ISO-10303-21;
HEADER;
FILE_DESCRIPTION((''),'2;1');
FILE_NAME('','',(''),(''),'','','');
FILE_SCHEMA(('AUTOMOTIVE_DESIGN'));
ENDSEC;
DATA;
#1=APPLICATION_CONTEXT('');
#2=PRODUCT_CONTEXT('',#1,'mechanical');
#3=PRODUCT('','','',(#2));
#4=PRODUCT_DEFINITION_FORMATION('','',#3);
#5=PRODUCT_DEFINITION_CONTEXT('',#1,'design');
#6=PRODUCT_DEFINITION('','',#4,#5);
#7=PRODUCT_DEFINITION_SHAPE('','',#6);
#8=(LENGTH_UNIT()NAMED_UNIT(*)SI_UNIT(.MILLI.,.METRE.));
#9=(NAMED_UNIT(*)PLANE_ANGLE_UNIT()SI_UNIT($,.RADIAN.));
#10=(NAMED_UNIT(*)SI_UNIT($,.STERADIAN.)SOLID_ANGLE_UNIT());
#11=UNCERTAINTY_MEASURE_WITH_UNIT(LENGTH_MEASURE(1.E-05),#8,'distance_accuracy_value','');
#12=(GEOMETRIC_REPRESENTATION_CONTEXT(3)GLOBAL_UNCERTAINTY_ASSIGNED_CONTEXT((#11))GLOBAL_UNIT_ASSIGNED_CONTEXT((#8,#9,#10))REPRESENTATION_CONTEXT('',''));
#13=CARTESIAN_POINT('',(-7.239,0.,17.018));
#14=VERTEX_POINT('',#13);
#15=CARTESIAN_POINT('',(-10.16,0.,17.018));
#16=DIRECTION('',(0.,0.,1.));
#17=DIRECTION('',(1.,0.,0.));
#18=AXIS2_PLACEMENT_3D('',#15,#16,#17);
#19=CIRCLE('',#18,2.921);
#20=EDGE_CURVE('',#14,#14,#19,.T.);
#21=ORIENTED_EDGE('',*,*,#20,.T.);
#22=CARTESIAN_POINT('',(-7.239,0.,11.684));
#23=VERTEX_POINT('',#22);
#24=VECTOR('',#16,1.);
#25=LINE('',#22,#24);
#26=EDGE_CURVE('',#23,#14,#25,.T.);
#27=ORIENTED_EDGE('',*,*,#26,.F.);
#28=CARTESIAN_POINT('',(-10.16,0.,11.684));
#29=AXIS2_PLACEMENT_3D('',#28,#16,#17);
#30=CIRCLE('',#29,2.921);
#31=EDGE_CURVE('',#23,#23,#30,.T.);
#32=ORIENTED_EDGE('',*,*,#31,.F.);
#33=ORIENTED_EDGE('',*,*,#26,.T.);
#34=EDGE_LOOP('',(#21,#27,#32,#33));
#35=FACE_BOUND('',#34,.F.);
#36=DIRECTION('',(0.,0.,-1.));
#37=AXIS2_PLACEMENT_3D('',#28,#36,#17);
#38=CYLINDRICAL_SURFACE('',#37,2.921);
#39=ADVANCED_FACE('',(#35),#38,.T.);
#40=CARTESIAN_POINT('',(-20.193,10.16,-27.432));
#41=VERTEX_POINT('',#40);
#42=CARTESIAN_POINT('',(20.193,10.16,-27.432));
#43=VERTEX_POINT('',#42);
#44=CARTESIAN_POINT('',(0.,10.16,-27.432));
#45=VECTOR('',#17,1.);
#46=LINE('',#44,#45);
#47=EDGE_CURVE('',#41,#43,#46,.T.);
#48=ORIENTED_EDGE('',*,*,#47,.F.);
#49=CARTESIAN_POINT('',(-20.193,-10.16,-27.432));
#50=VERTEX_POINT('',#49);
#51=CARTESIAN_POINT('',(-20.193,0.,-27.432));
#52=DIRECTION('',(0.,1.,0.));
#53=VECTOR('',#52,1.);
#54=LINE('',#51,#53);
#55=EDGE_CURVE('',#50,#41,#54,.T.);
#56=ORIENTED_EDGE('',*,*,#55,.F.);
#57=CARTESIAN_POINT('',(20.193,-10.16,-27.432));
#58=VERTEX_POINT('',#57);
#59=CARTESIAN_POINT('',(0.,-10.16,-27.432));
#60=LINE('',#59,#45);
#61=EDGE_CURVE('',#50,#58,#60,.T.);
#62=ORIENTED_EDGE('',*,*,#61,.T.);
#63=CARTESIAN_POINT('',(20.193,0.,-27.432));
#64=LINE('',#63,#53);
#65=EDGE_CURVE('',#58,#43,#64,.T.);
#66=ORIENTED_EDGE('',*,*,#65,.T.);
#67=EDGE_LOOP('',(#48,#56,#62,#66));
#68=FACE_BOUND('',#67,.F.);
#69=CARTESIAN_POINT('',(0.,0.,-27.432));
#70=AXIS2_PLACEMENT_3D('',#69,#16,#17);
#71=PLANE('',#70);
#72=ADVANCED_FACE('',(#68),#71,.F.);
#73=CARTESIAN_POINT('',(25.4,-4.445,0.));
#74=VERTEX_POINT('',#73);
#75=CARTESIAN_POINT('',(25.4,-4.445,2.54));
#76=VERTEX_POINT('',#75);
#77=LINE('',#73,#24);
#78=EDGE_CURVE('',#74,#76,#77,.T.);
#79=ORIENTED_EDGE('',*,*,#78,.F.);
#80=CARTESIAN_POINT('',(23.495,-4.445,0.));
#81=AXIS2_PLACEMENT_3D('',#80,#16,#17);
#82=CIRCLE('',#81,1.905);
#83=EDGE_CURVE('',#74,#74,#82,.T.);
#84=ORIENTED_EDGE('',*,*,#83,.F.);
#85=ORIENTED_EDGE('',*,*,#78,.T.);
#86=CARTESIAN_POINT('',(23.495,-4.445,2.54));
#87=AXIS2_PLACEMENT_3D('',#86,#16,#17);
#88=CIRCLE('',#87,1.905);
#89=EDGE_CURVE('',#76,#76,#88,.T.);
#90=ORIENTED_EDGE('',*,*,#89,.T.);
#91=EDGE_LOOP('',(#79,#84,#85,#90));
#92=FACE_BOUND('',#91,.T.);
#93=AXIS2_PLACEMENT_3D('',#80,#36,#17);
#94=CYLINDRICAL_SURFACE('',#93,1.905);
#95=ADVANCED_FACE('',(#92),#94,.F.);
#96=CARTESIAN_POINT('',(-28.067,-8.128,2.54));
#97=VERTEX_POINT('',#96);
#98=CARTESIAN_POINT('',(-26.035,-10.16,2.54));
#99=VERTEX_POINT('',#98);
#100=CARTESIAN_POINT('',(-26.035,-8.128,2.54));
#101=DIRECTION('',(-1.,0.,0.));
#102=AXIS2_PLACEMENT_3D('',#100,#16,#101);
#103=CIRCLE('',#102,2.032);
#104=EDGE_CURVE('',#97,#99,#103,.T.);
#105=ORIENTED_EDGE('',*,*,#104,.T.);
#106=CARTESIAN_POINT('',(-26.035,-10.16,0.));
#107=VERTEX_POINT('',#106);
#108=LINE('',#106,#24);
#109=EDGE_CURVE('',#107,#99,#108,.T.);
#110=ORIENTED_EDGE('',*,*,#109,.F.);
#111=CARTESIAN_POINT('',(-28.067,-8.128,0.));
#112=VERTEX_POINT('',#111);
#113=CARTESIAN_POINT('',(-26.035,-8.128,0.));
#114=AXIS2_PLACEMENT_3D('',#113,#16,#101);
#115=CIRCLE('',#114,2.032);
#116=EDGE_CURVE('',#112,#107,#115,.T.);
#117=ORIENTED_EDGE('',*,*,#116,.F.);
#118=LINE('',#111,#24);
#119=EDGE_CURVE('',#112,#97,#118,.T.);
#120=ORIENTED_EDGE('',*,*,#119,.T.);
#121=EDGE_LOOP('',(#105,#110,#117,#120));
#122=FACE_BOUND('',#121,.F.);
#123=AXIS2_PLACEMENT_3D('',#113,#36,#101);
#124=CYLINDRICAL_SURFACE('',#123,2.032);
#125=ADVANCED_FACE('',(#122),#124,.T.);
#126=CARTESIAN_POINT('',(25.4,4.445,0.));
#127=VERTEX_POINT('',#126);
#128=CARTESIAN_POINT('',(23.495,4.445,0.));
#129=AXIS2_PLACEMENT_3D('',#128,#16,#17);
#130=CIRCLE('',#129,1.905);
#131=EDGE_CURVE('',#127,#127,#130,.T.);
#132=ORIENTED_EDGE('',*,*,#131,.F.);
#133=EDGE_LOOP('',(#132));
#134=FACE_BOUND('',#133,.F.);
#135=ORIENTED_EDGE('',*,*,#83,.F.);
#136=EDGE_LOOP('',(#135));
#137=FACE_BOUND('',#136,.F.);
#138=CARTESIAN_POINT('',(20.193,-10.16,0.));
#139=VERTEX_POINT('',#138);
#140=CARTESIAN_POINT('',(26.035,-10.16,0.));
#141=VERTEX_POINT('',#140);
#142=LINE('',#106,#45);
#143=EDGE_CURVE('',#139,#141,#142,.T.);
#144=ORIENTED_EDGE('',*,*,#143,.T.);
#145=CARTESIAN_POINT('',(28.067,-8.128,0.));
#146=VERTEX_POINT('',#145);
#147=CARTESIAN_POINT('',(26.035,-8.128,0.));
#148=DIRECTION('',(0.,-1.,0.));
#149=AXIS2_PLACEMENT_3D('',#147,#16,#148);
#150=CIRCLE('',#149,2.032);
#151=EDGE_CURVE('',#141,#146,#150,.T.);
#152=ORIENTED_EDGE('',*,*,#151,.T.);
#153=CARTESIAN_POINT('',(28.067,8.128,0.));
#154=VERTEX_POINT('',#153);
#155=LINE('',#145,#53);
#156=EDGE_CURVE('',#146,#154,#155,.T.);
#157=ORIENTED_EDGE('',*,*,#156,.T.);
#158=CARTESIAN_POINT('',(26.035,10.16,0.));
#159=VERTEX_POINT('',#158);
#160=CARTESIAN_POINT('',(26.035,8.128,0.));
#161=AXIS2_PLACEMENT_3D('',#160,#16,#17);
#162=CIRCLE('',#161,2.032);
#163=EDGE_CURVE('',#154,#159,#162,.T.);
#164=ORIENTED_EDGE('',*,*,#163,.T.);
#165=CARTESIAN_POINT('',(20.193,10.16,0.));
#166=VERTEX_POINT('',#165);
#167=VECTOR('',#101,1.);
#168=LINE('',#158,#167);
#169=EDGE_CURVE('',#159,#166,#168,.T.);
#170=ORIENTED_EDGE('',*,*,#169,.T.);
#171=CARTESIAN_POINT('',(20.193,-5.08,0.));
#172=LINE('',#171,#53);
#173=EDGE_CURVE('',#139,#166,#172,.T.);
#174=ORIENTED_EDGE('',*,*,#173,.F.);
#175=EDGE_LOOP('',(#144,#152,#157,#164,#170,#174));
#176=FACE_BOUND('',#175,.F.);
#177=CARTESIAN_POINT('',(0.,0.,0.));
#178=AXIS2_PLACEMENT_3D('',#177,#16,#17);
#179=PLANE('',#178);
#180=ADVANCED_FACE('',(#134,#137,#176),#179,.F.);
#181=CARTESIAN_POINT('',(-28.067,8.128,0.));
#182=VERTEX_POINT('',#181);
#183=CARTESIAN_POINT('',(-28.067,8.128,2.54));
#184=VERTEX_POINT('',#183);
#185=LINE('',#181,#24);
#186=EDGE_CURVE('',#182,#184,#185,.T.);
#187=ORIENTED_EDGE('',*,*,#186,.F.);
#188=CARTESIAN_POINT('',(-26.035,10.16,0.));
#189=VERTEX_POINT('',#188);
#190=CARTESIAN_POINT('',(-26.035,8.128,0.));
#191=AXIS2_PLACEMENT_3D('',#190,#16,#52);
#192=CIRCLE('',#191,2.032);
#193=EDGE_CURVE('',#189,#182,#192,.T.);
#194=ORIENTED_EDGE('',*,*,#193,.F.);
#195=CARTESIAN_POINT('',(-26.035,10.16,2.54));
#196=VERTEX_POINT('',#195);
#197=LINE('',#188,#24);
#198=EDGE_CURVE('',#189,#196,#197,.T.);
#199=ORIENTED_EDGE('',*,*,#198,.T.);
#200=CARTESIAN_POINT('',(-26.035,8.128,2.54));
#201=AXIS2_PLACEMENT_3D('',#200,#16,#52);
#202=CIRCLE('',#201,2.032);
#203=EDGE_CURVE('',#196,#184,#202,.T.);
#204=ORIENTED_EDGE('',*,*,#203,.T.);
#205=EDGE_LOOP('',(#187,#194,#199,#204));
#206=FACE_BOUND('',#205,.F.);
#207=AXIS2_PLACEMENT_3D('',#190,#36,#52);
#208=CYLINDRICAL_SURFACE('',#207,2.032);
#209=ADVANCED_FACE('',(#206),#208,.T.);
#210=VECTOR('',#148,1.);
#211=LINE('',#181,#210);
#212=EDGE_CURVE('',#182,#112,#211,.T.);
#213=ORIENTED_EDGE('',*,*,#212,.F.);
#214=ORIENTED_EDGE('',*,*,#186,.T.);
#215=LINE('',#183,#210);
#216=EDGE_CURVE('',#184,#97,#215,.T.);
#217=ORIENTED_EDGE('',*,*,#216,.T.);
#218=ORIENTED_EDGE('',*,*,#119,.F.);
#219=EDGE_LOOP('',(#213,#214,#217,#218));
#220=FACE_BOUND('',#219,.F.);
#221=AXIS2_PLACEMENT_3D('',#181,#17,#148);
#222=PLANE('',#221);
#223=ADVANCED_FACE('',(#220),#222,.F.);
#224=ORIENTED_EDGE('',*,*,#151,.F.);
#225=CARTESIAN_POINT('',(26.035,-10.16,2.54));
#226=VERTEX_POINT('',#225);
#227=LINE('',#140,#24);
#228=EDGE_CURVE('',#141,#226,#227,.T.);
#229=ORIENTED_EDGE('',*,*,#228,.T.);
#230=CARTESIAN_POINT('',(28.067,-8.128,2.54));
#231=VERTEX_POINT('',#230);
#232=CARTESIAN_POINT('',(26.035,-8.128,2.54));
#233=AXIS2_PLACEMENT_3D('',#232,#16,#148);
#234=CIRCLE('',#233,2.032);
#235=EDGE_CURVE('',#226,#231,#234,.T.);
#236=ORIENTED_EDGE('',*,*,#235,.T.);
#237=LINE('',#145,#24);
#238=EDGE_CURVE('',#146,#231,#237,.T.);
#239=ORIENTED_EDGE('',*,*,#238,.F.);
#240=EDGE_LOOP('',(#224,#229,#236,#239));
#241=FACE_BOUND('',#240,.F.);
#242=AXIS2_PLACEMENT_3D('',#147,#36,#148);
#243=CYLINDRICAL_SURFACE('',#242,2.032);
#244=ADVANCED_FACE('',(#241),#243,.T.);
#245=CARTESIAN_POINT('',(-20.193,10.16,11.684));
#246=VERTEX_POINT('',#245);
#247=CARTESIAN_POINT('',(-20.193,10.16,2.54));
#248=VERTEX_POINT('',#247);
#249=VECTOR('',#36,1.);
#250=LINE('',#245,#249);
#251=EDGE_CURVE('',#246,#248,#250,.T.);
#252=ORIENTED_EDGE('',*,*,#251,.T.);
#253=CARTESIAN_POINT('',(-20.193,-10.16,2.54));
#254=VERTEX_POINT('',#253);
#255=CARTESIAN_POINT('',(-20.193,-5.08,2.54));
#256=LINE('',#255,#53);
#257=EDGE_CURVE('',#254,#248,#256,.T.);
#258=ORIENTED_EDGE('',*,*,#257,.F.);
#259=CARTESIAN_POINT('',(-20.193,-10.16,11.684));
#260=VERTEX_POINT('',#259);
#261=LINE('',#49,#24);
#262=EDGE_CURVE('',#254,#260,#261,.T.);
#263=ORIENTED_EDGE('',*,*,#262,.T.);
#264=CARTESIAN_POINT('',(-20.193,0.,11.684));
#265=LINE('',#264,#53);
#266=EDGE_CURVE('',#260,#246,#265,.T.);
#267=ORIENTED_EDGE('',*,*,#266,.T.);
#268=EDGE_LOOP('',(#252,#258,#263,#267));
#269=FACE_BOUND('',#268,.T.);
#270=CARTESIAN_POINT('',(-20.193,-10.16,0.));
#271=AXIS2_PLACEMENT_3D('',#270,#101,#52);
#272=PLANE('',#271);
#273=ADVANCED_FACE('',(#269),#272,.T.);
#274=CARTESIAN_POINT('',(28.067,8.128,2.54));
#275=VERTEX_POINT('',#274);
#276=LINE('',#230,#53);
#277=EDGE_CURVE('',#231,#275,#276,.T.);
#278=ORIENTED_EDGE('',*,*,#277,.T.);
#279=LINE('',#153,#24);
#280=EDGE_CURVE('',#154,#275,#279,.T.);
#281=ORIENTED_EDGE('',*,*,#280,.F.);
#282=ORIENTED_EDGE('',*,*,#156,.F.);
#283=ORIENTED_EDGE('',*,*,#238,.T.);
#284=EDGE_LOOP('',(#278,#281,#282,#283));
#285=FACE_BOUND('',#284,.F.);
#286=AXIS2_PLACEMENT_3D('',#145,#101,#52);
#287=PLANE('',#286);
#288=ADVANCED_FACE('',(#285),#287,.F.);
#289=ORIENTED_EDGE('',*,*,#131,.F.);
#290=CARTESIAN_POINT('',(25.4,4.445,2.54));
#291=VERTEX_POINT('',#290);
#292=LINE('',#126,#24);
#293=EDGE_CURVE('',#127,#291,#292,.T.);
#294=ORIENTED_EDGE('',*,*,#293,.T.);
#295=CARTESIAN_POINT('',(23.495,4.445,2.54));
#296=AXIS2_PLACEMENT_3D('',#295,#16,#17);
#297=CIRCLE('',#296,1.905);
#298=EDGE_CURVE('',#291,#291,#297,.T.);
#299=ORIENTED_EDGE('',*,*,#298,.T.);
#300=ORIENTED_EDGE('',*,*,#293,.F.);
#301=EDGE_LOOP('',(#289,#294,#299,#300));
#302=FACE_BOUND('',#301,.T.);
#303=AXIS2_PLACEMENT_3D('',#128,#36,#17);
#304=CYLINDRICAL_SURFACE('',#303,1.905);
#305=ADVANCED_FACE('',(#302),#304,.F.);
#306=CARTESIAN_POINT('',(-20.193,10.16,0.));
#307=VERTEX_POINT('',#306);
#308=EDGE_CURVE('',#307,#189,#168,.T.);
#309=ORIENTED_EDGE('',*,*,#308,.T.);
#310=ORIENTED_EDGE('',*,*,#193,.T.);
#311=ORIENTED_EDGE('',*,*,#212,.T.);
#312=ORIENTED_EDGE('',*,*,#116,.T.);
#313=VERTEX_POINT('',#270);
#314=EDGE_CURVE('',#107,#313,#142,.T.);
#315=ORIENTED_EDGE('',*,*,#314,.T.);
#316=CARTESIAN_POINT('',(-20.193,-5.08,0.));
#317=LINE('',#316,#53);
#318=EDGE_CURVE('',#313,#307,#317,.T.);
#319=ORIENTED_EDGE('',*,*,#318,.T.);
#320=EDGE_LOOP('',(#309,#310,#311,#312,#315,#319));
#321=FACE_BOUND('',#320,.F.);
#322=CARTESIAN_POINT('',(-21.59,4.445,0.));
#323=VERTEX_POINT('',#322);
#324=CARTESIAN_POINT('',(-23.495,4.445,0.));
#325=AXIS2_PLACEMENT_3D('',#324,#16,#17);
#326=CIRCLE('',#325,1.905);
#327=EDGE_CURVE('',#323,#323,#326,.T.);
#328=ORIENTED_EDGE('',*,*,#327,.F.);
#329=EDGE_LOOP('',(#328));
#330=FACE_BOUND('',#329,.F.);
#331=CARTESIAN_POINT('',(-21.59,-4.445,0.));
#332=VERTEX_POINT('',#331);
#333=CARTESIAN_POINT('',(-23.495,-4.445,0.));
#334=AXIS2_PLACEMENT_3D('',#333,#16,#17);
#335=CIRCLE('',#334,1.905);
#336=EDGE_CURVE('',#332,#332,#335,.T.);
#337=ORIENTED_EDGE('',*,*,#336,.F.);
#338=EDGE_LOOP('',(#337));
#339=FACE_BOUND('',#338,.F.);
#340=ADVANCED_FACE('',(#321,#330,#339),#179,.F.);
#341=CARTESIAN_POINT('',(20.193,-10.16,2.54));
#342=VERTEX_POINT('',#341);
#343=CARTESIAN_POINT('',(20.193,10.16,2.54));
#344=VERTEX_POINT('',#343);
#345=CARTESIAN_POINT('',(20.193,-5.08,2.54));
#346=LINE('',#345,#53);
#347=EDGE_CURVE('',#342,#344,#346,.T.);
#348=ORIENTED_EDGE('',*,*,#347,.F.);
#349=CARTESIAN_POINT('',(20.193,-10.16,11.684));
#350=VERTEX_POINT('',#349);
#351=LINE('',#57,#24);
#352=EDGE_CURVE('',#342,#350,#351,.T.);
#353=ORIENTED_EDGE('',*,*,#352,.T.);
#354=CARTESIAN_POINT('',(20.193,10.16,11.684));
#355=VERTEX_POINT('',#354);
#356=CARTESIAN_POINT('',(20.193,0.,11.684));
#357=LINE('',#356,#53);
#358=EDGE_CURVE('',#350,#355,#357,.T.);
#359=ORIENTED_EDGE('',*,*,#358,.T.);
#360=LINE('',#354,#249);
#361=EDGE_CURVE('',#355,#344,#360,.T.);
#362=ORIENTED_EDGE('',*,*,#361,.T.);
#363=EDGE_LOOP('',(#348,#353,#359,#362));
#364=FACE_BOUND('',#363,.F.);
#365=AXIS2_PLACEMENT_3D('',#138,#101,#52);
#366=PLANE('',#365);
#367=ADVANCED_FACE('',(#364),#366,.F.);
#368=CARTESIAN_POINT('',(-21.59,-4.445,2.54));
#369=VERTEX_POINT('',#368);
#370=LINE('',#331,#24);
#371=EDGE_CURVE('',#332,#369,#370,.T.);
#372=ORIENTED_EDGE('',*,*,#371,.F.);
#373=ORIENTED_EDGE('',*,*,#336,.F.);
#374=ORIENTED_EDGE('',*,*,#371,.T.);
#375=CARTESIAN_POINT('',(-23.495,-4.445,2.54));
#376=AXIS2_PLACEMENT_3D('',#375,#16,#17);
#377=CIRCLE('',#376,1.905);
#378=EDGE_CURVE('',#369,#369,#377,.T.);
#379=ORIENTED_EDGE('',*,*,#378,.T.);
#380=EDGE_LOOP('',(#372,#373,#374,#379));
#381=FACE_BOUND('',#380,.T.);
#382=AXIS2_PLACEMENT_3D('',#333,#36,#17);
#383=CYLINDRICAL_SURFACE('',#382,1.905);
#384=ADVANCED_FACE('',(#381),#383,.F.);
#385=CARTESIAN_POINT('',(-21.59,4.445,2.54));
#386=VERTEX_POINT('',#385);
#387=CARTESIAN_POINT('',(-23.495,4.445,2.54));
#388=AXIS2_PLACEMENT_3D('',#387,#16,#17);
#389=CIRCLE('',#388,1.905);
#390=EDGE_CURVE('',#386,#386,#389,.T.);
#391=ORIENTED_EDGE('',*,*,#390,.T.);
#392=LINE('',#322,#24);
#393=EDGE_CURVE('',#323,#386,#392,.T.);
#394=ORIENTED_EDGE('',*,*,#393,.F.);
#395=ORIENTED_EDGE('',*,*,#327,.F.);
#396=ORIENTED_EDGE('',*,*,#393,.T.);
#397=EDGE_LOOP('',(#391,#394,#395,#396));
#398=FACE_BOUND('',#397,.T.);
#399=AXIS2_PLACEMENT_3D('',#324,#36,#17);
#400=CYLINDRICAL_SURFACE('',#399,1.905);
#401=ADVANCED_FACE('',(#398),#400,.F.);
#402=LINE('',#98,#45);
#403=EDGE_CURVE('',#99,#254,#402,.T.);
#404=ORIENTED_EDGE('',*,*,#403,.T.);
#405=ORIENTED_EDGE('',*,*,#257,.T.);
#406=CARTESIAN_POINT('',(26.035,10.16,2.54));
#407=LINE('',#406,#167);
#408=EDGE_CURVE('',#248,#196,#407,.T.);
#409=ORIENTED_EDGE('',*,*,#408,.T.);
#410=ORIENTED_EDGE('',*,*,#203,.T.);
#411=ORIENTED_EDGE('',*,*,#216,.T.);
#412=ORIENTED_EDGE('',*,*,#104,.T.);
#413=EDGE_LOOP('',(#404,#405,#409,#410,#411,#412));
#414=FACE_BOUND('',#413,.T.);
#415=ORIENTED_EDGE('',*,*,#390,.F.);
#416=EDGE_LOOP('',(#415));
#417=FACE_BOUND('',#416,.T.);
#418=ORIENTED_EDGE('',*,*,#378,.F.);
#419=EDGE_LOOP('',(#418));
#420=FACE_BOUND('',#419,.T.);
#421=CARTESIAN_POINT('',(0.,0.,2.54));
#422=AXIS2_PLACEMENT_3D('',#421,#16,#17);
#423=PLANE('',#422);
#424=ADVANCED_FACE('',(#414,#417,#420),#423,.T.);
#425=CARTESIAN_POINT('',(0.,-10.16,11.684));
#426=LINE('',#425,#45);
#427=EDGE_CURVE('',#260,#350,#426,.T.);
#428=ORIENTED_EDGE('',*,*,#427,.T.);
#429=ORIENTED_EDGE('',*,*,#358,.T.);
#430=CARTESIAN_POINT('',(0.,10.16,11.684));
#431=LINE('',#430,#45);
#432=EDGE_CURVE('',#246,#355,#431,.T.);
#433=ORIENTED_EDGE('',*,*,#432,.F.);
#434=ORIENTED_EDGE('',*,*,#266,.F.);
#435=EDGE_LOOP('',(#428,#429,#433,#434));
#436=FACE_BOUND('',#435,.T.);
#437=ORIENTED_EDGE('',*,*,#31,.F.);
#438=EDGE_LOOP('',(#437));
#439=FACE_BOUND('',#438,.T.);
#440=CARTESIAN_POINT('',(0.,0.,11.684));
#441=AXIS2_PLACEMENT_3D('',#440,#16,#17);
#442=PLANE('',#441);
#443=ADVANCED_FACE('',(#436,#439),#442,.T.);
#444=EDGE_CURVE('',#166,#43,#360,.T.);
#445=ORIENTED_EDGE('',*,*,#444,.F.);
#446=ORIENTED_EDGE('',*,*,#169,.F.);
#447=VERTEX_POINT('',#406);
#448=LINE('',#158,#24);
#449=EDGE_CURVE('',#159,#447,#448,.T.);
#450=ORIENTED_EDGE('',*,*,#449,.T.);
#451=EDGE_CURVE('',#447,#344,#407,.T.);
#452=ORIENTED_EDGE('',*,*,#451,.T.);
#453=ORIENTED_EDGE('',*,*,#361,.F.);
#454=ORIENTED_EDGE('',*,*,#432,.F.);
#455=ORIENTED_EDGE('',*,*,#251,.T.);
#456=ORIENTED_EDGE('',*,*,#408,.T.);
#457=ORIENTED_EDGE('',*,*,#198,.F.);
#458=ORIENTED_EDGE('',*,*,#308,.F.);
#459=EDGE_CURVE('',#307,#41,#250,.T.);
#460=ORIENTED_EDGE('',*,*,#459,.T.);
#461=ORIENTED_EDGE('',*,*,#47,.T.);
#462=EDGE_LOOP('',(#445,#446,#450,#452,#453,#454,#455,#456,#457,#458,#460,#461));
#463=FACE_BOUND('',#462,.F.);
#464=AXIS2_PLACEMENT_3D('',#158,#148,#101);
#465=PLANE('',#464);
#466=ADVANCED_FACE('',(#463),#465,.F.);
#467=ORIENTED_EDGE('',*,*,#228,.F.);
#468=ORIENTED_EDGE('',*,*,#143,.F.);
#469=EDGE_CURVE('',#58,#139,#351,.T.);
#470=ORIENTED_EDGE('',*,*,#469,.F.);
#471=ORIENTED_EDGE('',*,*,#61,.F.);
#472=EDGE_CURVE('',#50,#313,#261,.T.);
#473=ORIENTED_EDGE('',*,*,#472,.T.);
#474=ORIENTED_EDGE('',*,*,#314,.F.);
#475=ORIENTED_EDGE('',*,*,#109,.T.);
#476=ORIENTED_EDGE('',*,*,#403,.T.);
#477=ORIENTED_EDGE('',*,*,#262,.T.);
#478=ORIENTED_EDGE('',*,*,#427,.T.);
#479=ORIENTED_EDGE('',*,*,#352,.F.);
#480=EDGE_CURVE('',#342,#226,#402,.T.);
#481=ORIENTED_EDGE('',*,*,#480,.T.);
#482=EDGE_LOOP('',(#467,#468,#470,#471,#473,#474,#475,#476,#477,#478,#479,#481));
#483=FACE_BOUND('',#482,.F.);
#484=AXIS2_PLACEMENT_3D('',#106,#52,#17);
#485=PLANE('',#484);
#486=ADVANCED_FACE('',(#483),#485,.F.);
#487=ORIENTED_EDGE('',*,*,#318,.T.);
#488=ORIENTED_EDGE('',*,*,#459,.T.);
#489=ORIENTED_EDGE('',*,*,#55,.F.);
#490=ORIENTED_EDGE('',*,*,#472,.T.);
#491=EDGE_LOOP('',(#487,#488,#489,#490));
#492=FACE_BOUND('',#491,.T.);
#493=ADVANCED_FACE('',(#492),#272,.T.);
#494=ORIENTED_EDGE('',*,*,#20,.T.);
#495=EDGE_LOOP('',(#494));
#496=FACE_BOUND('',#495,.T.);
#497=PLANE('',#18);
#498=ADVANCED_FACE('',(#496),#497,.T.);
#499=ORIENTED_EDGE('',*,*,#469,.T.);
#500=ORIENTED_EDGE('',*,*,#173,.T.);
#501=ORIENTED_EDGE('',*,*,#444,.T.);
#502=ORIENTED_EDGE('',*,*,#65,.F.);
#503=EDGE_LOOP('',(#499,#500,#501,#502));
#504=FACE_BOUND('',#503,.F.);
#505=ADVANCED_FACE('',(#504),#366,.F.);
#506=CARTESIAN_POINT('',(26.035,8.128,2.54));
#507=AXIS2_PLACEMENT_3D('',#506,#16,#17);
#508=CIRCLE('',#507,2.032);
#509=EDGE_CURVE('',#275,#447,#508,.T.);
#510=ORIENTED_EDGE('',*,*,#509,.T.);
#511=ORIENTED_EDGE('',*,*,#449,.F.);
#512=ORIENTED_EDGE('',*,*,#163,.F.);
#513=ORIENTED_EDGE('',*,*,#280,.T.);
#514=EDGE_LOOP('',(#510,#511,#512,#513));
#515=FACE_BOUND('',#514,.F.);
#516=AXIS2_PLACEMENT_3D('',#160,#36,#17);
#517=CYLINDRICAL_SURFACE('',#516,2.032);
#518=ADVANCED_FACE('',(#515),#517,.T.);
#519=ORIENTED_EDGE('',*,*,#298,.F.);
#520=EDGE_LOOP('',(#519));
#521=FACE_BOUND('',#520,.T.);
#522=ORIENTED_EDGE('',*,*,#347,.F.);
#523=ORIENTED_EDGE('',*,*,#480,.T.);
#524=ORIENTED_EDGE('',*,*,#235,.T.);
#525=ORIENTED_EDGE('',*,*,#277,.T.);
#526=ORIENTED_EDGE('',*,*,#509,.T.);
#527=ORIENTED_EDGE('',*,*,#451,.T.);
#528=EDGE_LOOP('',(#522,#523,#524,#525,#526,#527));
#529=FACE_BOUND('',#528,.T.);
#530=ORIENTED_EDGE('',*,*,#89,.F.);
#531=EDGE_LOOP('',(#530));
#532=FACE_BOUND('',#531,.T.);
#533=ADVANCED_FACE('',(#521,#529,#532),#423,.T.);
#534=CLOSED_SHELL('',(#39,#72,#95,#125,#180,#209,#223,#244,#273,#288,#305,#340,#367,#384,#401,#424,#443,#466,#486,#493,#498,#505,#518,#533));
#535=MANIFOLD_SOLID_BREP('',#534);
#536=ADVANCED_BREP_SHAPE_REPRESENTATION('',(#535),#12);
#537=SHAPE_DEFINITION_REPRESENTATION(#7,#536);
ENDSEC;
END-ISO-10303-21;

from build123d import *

# Parameters (mm, degrees)
F0_W          = 40.386
F0_H          = 20.32
F1_DEPTH      = 27.432
F1_DEPTH_BACK = 11.684
F2_R          = 1.905
F3_DEPTH      = 2.54
F4_R          = 2.921
F5_DEPTH      = 5.334


with BuildPart() as f1:
    # F0 (on Top) → F1 (new body, two sides)
    with BuildSketch(Plane.XY) as f1_sk:
        Rectangle(F0_W, F0_H)
    extrude(amount=-F1_DEPTH)
    extrude(f1_sk.sketch, amount=F1_DEPTH_BACK)

    # F2 (on Top) → F3 (join)
    with BuildSketch(Plane.XY):
        with BuildLine():
            Line((26.035, 10.16), (-26.035, 10.16))
            ThreePointArc((-26.035, 10.16), (-27.4718409794, 9.5648409794), (-28.067, 8.128))
            Line((-28.067, 8.128), (-28.067, -8.128))
            ThreePointArc((-28.067, -8.128), (-27.4718409794, -9.5648409794), (-26.035, -10.16))
            Line((-26.035, -10.16), (26.035, -10.16))
            ThreePointArc((26.035, -10.16), (27.4718409794, -9.5648409794), (28.067, -8.128))
            Line((28.067, -8.128), (28.067, 8.128))
            ThreePointArc((28.067, 8.128), (27.4718409794, 9.5648409794), (26.035, 10.16))
        make_face()
        with Locations((-23.495, -4.445)):
            Circle(F2_R, mode=Mode.SUBTRACT)
        with Locations((23.495, -4.445)):
            Circle(F2_R, mode=Mode.SUBTRACT)
        with Locations((-23.495, 4.445)):
            Circle(F2_R, mode=Mode.SUBTRACT)
        with Locations((23.495, 4.445)):
            Circle(F2_R, mode=Mode.SUBTRACT)
    extrude(amount=F3_DEPTH)

    # F4 (on face) → F5 (join)
    with BuildSketch(Plane.XY.offset(11.684)):
        with Locations((-10.16, 0)):
            Circle(F4_R)
    extrude(amount=F5_DEPTH)


solid = f1.part
